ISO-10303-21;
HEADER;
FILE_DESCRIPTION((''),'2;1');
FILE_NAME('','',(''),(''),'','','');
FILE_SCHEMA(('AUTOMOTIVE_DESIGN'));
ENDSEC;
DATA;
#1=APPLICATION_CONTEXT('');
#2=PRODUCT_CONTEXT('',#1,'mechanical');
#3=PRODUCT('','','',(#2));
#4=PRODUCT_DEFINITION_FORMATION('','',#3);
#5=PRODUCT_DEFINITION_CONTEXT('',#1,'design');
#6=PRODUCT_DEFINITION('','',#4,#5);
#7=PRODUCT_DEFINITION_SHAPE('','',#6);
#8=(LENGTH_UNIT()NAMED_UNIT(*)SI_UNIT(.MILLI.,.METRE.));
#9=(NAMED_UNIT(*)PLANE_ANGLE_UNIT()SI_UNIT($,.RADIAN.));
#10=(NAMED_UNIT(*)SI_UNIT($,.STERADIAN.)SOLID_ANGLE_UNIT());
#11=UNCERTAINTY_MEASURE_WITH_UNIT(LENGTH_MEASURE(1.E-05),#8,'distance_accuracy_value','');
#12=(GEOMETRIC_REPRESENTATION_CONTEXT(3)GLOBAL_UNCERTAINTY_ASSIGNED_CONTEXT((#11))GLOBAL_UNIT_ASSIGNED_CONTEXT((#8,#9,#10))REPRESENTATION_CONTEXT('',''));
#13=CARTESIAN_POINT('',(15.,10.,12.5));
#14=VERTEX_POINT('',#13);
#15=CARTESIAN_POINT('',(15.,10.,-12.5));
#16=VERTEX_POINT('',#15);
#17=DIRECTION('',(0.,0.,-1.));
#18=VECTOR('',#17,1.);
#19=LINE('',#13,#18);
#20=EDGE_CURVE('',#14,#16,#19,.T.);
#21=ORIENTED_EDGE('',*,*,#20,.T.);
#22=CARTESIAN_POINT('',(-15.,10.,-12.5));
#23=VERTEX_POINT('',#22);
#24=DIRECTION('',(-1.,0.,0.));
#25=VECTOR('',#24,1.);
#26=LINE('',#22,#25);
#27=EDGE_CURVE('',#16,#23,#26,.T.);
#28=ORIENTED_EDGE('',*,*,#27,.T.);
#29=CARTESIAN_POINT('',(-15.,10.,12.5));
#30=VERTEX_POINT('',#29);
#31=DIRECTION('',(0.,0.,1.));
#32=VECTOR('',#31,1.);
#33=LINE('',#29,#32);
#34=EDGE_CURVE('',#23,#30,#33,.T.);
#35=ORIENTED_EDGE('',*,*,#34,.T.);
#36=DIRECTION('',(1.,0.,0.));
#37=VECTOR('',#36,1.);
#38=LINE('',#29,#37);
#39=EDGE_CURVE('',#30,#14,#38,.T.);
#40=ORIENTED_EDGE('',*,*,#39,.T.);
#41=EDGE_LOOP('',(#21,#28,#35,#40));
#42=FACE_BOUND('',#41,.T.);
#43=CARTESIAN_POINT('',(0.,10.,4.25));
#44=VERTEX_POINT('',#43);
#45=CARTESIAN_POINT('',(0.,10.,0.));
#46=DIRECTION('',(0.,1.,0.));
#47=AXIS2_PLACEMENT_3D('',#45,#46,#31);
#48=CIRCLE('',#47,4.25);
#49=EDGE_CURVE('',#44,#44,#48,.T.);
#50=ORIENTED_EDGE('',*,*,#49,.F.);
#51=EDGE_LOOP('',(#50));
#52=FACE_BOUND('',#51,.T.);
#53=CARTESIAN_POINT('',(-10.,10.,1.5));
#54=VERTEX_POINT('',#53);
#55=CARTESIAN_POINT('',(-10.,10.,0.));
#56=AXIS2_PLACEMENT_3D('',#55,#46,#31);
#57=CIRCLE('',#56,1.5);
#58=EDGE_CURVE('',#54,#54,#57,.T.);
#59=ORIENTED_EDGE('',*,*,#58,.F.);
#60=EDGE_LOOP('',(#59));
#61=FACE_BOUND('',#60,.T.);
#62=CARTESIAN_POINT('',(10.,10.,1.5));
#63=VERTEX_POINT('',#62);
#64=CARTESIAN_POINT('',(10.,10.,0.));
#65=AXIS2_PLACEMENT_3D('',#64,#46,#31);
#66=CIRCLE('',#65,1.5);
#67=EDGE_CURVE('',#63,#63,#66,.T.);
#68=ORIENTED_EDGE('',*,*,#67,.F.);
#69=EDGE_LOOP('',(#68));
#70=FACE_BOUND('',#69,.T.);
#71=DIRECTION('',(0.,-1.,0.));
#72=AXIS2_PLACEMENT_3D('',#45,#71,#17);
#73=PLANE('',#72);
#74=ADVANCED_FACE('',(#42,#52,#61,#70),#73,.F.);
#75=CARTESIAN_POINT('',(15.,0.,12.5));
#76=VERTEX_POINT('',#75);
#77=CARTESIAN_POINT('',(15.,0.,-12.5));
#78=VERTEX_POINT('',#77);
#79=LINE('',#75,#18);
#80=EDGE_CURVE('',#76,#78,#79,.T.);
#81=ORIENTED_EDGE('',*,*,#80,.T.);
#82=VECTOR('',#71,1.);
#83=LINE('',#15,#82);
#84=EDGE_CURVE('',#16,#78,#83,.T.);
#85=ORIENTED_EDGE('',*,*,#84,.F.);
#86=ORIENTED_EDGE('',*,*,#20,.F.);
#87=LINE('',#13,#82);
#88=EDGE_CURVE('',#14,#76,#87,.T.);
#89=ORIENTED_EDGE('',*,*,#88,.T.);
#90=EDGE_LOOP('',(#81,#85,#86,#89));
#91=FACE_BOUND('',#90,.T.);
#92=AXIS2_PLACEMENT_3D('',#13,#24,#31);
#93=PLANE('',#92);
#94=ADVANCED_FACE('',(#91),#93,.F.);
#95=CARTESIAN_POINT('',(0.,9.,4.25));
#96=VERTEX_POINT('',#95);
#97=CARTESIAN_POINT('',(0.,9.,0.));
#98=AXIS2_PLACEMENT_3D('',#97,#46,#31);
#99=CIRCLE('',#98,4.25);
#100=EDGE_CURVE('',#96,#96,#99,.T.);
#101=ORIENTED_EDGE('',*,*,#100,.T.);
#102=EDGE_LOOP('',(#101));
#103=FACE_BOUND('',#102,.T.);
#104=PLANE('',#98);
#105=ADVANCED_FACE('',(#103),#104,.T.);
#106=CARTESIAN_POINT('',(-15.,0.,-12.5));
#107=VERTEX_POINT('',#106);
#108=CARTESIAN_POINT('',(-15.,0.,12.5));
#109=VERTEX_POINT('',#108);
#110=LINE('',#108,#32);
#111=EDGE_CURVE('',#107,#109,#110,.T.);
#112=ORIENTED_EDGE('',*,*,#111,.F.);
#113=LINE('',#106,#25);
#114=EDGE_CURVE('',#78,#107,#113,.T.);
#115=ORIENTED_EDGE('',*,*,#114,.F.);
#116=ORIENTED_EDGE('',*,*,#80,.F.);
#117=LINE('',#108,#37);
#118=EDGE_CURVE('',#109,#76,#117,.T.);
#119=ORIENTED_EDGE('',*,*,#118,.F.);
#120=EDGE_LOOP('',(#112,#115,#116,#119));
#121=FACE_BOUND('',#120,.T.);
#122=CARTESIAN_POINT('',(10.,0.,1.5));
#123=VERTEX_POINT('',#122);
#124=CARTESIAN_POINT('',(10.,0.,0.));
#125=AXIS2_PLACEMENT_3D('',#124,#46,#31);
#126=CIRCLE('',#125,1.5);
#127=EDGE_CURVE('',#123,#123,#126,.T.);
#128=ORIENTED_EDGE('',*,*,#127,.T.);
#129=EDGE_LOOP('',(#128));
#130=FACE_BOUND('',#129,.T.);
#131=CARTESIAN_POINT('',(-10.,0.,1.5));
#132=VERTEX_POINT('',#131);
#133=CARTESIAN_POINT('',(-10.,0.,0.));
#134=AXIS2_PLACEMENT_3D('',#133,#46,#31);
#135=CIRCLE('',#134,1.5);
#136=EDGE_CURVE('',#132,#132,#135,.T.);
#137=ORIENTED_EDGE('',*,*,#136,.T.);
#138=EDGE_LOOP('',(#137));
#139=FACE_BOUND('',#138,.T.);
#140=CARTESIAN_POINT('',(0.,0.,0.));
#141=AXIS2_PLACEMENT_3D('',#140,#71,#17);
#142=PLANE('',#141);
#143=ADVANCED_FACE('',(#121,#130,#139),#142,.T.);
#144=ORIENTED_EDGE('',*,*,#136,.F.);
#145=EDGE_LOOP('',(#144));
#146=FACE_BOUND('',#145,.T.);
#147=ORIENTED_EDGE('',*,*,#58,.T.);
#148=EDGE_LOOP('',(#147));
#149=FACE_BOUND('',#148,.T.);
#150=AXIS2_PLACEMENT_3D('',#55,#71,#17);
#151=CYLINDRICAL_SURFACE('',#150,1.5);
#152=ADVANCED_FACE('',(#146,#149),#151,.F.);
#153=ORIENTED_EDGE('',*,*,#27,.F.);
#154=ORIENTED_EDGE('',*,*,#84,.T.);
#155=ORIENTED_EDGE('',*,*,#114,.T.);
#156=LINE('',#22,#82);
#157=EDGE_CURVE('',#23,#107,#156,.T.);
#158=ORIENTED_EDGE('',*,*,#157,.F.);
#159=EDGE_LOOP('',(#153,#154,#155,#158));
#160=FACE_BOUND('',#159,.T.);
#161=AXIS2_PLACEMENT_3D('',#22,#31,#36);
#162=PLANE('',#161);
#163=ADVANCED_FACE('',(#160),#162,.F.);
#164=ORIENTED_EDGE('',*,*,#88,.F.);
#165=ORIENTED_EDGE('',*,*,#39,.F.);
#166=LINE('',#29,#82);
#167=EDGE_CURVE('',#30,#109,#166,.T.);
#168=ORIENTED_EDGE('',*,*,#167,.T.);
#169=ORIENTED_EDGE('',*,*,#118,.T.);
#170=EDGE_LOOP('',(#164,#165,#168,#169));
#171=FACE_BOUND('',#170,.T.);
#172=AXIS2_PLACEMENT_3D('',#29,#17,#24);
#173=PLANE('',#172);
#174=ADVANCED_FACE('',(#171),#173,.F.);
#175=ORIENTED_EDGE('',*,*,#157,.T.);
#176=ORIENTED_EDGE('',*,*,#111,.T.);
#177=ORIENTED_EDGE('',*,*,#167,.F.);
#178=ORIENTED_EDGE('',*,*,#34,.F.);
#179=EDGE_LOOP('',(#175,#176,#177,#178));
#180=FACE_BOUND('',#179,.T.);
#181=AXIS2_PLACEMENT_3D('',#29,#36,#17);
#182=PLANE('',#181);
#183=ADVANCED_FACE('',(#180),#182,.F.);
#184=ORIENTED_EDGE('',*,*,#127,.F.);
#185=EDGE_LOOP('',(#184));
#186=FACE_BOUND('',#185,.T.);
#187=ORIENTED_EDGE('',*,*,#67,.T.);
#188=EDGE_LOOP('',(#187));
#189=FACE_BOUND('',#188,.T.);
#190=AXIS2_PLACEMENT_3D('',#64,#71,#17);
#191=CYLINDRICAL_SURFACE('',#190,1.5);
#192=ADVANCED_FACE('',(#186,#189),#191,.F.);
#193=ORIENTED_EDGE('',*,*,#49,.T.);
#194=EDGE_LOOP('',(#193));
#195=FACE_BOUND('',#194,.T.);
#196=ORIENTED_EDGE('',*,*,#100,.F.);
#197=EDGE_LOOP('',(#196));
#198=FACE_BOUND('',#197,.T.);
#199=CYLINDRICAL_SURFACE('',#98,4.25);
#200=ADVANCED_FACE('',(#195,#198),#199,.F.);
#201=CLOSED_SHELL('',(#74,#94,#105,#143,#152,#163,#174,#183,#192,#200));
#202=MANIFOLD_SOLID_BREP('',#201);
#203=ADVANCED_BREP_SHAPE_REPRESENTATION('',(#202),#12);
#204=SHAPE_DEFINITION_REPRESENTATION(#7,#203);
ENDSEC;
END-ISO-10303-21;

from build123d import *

# Parameters (mm, degrees)
SKETCH1_W           = 30
SKETCH1_H           = 25
SKETCH1_R           = 1.5
BOSS_EXTRUDE1_DEPTH = 10
SKETCH3_R           = 4.25
CUT_EXTRUDE1_DEPTH  = 1


with BuildPart() as part:
    # Sketch1 → Boss-Extrude1 (new body)
    with BuildSketch(Plane(origin=(0, 0, 0), x_dir=(1, 0, 0), z_dir=(0, 1, 0))):
        Rectangle(SKETCH1_W, SKETCH1_H)
        with Locations((10, 0)):
            Circle(SKETCH1_R, mode=Mode.SUBTRACT)
        with Locations((-10, 0)):
            Circle(SKETCH1_R, mode=Mode.SUBTRACT)
    extrude(amount=BOSS_EXTRUDE1_DEPTH)

    # Sketch3 → Cut-Extrude1 (cut)
    with BuildSketch(Plane(origin=(0, 10, 0), x_dir=(1, 0, 0), z_dir=(0, 1, 0))):
        Circle(SKETCH3_R)
    extrude(amount=-CUT_EXTRUDE1_DEPTH, mode=Mode.SUBTRACT)


solid = part.part
